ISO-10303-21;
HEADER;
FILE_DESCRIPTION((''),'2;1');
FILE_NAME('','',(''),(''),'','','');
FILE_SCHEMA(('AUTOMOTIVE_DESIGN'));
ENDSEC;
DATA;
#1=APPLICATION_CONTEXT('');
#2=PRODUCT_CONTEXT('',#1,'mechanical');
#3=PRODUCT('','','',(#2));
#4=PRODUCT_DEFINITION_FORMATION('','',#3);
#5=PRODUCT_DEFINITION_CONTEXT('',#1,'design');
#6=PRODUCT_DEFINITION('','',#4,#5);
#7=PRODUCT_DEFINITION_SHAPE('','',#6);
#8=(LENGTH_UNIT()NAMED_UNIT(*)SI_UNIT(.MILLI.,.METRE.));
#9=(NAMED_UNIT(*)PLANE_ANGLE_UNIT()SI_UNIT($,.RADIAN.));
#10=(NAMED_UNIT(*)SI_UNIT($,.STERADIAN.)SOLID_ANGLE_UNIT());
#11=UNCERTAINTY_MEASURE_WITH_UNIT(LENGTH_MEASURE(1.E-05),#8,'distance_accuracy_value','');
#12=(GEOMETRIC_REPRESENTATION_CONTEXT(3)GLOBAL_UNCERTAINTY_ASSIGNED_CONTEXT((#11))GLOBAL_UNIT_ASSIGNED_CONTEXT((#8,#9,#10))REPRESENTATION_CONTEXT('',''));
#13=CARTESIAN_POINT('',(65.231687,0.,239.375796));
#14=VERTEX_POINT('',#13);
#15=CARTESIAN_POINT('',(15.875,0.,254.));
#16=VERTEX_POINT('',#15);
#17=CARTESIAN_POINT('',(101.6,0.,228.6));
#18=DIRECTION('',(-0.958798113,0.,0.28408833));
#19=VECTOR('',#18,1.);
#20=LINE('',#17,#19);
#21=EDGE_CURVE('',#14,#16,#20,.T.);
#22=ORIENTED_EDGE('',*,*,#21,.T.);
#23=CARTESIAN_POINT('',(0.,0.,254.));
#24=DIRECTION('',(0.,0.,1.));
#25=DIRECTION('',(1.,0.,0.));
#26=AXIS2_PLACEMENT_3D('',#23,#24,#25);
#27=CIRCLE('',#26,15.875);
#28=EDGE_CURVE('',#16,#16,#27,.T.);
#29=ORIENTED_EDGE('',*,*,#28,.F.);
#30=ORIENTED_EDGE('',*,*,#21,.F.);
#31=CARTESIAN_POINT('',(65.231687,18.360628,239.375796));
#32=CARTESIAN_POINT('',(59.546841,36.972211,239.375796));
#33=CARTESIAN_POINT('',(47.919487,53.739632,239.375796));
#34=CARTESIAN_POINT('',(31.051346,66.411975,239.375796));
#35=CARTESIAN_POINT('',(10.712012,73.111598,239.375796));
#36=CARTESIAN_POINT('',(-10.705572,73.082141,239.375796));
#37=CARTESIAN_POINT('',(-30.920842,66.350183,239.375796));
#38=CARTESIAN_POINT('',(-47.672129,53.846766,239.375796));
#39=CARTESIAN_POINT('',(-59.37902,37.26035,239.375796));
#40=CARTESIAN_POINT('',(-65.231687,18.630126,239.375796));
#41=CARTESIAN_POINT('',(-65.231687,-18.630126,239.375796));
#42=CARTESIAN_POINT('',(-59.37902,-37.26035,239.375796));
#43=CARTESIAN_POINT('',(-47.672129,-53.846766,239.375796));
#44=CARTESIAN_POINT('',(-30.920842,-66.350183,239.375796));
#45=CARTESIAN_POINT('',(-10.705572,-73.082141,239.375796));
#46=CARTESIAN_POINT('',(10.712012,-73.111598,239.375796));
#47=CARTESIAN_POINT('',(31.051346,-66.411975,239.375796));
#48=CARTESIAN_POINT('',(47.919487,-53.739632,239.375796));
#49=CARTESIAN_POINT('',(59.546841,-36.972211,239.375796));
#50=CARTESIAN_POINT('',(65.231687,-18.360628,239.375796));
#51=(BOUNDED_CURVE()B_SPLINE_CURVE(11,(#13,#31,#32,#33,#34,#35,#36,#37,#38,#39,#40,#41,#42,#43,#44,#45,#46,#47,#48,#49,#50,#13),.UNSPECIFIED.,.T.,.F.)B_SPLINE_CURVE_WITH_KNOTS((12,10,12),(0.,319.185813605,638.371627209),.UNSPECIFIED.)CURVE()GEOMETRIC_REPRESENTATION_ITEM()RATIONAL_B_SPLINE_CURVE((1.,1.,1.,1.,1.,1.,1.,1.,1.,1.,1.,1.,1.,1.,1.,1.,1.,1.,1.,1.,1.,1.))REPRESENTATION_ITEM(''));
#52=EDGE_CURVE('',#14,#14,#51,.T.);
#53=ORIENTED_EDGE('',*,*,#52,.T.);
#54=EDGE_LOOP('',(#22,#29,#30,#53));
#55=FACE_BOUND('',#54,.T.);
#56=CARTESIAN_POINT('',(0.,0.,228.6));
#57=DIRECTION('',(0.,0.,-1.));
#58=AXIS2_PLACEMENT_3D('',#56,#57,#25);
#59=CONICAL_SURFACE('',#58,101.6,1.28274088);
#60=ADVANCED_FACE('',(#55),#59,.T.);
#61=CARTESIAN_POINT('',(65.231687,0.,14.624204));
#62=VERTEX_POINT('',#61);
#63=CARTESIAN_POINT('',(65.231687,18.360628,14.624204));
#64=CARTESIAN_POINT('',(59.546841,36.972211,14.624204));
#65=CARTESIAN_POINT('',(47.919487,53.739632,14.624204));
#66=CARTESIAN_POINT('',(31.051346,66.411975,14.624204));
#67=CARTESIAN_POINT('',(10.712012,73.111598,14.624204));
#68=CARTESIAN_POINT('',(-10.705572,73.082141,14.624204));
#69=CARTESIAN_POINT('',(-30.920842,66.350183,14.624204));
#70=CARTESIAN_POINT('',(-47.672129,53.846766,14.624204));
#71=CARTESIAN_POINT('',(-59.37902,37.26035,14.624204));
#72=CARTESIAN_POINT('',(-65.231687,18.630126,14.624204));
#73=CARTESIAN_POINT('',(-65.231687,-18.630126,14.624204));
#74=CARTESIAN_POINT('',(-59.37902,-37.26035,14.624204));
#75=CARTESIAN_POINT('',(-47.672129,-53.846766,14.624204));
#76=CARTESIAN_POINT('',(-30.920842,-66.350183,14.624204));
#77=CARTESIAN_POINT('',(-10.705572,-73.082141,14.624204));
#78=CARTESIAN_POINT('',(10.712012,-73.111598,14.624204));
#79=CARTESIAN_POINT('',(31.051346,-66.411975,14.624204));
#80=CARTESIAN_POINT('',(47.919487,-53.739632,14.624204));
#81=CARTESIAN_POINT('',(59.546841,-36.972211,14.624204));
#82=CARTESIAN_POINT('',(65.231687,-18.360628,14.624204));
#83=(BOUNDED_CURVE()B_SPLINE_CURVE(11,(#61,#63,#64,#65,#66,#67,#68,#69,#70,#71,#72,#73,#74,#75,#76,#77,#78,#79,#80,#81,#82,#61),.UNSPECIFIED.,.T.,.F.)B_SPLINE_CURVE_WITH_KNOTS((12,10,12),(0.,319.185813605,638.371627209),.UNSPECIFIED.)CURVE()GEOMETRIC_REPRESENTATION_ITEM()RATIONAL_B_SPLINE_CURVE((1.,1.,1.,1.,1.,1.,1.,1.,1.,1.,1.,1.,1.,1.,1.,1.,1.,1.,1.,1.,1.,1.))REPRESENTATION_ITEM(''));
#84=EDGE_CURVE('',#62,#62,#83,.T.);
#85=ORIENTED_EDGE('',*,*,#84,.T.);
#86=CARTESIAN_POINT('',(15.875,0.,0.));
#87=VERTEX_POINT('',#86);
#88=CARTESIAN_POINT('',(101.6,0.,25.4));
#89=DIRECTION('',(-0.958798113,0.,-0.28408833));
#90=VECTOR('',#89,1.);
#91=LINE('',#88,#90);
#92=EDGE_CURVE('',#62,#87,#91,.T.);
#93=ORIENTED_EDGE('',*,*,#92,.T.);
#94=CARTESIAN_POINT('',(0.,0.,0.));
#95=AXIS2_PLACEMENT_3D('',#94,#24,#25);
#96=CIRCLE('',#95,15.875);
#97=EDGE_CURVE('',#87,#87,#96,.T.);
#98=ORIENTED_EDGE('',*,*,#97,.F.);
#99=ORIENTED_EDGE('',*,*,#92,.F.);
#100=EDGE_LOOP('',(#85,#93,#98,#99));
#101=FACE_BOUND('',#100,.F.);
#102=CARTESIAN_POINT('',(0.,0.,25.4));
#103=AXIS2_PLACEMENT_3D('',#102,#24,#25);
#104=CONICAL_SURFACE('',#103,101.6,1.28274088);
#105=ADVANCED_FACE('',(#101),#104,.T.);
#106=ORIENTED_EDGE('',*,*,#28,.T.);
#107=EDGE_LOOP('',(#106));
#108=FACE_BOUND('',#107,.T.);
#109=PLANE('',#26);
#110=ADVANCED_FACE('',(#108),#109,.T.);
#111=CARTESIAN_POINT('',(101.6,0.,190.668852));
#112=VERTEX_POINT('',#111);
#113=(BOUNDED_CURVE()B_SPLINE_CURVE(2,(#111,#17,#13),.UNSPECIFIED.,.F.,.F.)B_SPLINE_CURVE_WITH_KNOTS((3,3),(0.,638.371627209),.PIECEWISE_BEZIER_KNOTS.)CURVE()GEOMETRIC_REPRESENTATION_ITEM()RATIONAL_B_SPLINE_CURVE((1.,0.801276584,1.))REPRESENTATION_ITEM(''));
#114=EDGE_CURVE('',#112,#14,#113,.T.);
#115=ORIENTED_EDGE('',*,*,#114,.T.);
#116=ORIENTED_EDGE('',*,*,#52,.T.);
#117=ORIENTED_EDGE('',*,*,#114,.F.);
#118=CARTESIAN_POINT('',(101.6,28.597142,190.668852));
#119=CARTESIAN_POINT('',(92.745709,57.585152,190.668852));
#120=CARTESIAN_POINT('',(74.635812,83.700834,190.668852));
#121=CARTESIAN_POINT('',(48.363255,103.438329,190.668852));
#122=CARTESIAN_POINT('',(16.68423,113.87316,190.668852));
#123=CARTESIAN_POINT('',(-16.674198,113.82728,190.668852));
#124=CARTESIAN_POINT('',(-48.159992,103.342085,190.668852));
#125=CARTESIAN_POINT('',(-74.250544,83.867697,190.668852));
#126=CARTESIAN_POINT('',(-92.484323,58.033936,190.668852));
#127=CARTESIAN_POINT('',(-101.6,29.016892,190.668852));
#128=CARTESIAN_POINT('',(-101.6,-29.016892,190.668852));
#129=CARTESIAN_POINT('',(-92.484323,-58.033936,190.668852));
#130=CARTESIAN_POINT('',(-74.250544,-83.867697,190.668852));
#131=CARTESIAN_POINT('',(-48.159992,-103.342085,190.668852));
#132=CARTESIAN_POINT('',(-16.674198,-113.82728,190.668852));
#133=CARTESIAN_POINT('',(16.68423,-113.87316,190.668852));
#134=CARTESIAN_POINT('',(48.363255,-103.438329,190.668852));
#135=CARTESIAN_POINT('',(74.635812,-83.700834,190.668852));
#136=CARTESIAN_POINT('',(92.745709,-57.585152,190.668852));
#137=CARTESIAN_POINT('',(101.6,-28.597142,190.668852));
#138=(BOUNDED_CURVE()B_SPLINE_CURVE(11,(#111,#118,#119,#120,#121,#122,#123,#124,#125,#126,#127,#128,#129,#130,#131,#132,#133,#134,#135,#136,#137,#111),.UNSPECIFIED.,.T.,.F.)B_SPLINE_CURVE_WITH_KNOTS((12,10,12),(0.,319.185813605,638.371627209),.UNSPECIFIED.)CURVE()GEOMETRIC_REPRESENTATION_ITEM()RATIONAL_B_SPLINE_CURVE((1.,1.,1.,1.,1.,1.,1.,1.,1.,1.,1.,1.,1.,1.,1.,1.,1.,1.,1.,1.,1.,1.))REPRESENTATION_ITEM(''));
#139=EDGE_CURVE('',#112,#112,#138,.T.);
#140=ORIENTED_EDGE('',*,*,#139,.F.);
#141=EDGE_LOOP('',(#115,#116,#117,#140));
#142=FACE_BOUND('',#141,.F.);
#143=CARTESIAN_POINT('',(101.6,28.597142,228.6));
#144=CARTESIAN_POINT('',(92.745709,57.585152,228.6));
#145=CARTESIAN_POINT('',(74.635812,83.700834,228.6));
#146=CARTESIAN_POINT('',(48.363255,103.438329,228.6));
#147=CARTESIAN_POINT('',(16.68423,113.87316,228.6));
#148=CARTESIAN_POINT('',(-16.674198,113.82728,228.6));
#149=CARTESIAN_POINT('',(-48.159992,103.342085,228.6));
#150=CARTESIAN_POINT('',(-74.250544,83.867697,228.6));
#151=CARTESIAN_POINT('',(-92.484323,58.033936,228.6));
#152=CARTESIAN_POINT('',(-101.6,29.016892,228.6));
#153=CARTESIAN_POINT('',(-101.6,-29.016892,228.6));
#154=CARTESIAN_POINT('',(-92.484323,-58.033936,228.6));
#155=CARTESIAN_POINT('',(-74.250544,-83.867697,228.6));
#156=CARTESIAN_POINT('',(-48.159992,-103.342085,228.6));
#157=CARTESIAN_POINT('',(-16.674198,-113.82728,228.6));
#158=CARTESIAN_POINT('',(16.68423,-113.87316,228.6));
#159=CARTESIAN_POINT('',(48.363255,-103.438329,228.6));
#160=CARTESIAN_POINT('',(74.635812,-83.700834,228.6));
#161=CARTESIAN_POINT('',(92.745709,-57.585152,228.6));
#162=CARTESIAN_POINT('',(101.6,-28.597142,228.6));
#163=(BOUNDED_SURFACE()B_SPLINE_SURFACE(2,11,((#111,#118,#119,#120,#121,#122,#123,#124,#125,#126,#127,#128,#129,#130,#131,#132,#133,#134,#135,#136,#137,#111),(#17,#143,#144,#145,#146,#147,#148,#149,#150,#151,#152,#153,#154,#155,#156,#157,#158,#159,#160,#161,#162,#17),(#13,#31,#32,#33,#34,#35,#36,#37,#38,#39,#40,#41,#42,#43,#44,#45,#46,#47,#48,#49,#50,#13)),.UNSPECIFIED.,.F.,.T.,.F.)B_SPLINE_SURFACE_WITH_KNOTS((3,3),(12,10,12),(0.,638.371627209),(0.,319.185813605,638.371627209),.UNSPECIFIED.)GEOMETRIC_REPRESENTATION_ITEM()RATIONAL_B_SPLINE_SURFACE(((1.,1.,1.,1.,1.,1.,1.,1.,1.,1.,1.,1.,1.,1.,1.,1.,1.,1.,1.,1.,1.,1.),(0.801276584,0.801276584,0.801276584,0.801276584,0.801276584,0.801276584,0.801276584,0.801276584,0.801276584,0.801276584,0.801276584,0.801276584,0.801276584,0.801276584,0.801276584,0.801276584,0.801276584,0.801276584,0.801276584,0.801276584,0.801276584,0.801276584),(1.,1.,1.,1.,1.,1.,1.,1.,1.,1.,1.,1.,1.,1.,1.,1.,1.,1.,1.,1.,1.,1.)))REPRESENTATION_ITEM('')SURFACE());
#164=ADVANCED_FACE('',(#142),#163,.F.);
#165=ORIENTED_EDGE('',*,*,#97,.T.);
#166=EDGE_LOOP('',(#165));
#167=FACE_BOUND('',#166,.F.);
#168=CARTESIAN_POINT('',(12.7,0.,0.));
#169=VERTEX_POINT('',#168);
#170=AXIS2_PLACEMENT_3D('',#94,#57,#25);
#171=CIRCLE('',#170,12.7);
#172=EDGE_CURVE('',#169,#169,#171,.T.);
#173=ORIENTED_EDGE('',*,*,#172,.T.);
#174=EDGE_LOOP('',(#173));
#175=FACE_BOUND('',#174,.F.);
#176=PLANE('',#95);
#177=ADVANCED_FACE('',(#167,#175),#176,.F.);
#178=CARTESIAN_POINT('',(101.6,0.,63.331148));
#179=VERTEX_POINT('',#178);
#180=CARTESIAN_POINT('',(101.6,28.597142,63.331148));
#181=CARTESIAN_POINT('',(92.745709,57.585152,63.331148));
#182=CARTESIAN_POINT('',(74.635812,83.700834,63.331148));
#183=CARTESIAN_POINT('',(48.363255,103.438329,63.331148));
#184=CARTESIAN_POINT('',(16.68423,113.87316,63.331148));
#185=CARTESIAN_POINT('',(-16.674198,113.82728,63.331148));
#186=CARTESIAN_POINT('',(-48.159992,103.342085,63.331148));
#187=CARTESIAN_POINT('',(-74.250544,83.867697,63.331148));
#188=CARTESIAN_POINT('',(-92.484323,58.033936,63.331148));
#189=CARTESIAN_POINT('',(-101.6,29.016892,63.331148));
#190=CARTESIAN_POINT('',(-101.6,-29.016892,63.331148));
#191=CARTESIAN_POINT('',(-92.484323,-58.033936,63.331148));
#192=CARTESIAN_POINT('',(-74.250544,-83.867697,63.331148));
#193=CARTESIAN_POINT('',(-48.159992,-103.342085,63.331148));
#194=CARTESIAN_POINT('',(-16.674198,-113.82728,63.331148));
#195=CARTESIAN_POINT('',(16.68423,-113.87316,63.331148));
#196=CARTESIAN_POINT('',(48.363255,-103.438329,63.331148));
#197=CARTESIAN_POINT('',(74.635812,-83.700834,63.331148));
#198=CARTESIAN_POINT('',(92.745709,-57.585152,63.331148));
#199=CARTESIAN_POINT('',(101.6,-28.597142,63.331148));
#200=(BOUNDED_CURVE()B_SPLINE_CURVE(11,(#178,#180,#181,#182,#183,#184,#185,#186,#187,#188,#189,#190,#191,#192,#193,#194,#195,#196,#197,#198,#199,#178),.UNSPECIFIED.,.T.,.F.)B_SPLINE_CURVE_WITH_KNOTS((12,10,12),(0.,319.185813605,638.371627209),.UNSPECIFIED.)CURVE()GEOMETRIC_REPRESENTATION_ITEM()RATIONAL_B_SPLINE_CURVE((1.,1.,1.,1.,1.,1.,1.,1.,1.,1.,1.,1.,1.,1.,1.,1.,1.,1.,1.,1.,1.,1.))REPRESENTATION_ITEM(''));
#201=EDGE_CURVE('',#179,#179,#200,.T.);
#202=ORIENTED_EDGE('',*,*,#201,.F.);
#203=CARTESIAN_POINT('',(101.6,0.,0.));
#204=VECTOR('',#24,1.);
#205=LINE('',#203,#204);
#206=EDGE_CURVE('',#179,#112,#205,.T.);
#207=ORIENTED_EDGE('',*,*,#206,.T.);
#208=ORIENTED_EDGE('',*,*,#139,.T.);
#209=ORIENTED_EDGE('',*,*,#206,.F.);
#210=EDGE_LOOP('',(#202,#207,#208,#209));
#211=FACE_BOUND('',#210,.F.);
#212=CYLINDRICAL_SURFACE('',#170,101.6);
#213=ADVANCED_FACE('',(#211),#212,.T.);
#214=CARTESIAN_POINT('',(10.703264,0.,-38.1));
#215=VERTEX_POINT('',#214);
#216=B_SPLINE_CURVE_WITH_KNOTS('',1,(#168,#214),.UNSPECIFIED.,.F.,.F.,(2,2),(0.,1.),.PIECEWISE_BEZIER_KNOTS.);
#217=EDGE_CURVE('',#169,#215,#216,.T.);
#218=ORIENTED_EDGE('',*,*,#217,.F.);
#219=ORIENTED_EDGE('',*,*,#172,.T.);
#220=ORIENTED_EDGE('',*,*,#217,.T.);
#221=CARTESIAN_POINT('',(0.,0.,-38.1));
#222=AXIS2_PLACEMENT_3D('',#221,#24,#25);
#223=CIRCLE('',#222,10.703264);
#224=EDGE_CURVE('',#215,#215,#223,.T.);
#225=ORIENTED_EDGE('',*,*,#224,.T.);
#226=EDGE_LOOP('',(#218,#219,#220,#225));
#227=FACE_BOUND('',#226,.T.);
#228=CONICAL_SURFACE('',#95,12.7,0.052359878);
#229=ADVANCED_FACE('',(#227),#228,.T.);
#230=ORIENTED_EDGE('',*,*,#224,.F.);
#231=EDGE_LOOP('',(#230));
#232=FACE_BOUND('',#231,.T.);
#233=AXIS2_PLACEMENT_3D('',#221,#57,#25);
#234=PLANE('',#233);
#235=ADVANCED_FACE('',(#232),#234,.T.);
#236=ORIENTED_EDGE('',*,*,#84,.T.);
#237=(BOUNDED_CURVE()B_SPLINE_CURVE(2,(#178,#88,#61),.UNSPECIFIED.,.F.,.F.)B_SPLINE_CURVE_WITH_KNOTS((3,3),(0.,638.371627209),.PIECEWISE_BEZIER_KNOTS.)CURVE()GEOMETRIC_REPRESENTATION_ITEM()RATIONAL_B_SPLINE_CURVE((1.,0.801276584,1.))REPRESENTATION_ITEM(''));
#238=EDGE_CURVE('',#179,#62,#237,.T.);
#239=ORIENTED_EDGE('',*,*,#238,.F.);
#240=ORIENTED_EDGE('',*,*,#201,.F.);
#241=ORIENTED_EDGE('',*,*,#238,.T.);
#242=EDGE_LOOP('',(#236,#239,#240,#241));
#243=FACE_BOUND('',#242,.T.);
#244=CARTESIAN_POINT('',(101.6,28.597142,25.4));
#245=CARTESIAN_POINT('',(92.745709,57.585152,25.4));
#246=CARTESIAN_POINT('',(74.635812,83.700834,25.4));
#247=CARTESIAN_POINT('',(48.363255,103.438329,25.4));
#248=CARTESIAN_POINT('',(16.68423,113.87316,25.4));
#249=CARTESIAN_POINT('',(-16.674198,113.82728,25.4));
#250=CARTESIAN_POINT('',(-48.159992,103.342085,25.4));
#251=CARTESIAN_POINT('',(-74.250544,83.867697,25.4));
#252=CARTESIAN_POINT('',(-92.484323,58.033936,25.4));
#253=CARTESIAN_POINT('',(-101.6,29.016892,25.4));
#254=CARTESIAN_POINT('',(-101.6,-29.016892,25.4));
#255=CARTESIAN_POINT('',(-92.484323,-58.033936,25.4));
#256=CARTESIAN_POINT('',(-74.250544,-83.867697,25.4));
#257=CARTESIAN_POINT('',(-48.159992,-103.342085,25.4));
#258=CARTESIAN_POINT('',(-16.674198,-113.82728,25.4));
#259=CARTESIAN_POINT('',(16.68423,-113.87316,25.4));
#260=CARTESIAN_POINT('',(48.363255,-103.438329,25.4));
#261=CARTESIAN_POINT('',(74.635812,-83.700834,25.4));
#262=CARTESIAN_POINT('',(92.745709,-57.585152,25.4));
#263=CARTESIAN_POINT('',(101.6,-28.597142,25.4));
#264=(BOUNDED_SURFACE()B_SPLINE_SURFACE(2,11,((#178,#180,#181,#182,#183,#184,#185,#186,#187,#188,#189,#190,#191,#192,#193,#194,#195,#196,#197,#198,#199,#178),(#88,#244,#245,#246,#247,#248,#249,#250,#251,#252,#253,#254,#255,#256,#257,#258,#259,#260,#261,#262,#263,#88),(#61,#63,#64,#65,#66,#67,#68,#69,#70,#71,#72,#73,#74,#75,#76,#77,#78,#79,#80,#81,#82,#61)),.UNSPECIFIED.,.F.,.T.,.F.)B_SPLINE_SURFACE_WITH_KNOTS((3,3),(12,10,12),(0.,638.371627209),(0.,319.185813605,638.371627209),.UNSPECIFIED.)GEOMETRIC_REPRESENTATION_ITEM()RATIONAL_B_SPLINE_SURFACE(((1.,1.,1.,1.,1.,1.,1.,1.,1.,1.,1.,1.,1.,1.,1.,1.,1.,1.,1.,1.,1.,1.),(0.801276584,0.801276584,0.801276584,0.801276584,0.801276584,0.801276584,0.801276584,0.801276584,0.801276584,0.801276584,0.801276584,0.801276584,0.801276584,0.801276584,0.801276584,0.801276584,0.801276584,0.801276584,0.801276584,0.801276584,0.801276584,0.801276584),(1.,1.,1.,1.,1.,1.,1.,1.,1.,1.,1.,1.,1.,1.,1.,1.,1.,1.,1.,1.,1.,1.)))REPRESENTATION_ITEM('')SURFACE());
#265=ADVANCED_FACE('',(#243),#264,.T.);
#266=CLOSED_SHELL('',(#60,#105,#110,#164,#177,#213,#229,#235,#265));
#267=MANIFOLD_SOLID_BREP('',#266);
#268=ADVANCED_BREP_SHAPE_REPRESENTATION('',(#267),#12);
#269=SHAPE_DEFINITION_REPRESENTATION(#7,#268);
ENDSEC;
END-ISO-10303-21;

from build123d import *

# Parameters (mm, degrees)
F0_R     = 101.6
F1_DEPTH = 254
F2_R     = 12.7
F3_DEPTH = 38.1
F3_TAPER = 3
F4_SIZE2 = 85.725
F4_SIZE  = 25.4
F5_R     = 50.8


with BuildPart() as f1:
    # F0 (on Top) → F1 (new body)
    with BuildSketch(Plane.XY):
        Circle(F0_R)
    extrude(amount=F1_DEPTH)

    # F2 (on face) → F3 (join)
    with BuildSketch(Plane(origin=(0, 0, 0), x_dir=(1, 0, 0), z_dir=(0, 0, -1))):
        Circle(F2_R)
    extrude(amount=F3_DEPTH, taper=F3_TAPER)

    # F4
    f4_edges = [f1.edges().sort_by_distance(p)[0] for p in [
        (-101.6, 0, 254),
        (-101.6, 0, 0),
    ]]
    f4_side = f1.faces().sort_by_distance((-101.6, 0, 127))[0]
    chamfer(f4_edges, length=F4_SIZE, length2=F4_SIZE2, reference=f4_side)

    # F5
    f5_edges = [f1.edges().sort_by_distance(p)[0] for p in [
        (-101.6, 0, 25.4),
        (-101.6, 0, 228.6),
    ]]
    fillet(f5_edges, radius=F5_R)


solid = f1.part
